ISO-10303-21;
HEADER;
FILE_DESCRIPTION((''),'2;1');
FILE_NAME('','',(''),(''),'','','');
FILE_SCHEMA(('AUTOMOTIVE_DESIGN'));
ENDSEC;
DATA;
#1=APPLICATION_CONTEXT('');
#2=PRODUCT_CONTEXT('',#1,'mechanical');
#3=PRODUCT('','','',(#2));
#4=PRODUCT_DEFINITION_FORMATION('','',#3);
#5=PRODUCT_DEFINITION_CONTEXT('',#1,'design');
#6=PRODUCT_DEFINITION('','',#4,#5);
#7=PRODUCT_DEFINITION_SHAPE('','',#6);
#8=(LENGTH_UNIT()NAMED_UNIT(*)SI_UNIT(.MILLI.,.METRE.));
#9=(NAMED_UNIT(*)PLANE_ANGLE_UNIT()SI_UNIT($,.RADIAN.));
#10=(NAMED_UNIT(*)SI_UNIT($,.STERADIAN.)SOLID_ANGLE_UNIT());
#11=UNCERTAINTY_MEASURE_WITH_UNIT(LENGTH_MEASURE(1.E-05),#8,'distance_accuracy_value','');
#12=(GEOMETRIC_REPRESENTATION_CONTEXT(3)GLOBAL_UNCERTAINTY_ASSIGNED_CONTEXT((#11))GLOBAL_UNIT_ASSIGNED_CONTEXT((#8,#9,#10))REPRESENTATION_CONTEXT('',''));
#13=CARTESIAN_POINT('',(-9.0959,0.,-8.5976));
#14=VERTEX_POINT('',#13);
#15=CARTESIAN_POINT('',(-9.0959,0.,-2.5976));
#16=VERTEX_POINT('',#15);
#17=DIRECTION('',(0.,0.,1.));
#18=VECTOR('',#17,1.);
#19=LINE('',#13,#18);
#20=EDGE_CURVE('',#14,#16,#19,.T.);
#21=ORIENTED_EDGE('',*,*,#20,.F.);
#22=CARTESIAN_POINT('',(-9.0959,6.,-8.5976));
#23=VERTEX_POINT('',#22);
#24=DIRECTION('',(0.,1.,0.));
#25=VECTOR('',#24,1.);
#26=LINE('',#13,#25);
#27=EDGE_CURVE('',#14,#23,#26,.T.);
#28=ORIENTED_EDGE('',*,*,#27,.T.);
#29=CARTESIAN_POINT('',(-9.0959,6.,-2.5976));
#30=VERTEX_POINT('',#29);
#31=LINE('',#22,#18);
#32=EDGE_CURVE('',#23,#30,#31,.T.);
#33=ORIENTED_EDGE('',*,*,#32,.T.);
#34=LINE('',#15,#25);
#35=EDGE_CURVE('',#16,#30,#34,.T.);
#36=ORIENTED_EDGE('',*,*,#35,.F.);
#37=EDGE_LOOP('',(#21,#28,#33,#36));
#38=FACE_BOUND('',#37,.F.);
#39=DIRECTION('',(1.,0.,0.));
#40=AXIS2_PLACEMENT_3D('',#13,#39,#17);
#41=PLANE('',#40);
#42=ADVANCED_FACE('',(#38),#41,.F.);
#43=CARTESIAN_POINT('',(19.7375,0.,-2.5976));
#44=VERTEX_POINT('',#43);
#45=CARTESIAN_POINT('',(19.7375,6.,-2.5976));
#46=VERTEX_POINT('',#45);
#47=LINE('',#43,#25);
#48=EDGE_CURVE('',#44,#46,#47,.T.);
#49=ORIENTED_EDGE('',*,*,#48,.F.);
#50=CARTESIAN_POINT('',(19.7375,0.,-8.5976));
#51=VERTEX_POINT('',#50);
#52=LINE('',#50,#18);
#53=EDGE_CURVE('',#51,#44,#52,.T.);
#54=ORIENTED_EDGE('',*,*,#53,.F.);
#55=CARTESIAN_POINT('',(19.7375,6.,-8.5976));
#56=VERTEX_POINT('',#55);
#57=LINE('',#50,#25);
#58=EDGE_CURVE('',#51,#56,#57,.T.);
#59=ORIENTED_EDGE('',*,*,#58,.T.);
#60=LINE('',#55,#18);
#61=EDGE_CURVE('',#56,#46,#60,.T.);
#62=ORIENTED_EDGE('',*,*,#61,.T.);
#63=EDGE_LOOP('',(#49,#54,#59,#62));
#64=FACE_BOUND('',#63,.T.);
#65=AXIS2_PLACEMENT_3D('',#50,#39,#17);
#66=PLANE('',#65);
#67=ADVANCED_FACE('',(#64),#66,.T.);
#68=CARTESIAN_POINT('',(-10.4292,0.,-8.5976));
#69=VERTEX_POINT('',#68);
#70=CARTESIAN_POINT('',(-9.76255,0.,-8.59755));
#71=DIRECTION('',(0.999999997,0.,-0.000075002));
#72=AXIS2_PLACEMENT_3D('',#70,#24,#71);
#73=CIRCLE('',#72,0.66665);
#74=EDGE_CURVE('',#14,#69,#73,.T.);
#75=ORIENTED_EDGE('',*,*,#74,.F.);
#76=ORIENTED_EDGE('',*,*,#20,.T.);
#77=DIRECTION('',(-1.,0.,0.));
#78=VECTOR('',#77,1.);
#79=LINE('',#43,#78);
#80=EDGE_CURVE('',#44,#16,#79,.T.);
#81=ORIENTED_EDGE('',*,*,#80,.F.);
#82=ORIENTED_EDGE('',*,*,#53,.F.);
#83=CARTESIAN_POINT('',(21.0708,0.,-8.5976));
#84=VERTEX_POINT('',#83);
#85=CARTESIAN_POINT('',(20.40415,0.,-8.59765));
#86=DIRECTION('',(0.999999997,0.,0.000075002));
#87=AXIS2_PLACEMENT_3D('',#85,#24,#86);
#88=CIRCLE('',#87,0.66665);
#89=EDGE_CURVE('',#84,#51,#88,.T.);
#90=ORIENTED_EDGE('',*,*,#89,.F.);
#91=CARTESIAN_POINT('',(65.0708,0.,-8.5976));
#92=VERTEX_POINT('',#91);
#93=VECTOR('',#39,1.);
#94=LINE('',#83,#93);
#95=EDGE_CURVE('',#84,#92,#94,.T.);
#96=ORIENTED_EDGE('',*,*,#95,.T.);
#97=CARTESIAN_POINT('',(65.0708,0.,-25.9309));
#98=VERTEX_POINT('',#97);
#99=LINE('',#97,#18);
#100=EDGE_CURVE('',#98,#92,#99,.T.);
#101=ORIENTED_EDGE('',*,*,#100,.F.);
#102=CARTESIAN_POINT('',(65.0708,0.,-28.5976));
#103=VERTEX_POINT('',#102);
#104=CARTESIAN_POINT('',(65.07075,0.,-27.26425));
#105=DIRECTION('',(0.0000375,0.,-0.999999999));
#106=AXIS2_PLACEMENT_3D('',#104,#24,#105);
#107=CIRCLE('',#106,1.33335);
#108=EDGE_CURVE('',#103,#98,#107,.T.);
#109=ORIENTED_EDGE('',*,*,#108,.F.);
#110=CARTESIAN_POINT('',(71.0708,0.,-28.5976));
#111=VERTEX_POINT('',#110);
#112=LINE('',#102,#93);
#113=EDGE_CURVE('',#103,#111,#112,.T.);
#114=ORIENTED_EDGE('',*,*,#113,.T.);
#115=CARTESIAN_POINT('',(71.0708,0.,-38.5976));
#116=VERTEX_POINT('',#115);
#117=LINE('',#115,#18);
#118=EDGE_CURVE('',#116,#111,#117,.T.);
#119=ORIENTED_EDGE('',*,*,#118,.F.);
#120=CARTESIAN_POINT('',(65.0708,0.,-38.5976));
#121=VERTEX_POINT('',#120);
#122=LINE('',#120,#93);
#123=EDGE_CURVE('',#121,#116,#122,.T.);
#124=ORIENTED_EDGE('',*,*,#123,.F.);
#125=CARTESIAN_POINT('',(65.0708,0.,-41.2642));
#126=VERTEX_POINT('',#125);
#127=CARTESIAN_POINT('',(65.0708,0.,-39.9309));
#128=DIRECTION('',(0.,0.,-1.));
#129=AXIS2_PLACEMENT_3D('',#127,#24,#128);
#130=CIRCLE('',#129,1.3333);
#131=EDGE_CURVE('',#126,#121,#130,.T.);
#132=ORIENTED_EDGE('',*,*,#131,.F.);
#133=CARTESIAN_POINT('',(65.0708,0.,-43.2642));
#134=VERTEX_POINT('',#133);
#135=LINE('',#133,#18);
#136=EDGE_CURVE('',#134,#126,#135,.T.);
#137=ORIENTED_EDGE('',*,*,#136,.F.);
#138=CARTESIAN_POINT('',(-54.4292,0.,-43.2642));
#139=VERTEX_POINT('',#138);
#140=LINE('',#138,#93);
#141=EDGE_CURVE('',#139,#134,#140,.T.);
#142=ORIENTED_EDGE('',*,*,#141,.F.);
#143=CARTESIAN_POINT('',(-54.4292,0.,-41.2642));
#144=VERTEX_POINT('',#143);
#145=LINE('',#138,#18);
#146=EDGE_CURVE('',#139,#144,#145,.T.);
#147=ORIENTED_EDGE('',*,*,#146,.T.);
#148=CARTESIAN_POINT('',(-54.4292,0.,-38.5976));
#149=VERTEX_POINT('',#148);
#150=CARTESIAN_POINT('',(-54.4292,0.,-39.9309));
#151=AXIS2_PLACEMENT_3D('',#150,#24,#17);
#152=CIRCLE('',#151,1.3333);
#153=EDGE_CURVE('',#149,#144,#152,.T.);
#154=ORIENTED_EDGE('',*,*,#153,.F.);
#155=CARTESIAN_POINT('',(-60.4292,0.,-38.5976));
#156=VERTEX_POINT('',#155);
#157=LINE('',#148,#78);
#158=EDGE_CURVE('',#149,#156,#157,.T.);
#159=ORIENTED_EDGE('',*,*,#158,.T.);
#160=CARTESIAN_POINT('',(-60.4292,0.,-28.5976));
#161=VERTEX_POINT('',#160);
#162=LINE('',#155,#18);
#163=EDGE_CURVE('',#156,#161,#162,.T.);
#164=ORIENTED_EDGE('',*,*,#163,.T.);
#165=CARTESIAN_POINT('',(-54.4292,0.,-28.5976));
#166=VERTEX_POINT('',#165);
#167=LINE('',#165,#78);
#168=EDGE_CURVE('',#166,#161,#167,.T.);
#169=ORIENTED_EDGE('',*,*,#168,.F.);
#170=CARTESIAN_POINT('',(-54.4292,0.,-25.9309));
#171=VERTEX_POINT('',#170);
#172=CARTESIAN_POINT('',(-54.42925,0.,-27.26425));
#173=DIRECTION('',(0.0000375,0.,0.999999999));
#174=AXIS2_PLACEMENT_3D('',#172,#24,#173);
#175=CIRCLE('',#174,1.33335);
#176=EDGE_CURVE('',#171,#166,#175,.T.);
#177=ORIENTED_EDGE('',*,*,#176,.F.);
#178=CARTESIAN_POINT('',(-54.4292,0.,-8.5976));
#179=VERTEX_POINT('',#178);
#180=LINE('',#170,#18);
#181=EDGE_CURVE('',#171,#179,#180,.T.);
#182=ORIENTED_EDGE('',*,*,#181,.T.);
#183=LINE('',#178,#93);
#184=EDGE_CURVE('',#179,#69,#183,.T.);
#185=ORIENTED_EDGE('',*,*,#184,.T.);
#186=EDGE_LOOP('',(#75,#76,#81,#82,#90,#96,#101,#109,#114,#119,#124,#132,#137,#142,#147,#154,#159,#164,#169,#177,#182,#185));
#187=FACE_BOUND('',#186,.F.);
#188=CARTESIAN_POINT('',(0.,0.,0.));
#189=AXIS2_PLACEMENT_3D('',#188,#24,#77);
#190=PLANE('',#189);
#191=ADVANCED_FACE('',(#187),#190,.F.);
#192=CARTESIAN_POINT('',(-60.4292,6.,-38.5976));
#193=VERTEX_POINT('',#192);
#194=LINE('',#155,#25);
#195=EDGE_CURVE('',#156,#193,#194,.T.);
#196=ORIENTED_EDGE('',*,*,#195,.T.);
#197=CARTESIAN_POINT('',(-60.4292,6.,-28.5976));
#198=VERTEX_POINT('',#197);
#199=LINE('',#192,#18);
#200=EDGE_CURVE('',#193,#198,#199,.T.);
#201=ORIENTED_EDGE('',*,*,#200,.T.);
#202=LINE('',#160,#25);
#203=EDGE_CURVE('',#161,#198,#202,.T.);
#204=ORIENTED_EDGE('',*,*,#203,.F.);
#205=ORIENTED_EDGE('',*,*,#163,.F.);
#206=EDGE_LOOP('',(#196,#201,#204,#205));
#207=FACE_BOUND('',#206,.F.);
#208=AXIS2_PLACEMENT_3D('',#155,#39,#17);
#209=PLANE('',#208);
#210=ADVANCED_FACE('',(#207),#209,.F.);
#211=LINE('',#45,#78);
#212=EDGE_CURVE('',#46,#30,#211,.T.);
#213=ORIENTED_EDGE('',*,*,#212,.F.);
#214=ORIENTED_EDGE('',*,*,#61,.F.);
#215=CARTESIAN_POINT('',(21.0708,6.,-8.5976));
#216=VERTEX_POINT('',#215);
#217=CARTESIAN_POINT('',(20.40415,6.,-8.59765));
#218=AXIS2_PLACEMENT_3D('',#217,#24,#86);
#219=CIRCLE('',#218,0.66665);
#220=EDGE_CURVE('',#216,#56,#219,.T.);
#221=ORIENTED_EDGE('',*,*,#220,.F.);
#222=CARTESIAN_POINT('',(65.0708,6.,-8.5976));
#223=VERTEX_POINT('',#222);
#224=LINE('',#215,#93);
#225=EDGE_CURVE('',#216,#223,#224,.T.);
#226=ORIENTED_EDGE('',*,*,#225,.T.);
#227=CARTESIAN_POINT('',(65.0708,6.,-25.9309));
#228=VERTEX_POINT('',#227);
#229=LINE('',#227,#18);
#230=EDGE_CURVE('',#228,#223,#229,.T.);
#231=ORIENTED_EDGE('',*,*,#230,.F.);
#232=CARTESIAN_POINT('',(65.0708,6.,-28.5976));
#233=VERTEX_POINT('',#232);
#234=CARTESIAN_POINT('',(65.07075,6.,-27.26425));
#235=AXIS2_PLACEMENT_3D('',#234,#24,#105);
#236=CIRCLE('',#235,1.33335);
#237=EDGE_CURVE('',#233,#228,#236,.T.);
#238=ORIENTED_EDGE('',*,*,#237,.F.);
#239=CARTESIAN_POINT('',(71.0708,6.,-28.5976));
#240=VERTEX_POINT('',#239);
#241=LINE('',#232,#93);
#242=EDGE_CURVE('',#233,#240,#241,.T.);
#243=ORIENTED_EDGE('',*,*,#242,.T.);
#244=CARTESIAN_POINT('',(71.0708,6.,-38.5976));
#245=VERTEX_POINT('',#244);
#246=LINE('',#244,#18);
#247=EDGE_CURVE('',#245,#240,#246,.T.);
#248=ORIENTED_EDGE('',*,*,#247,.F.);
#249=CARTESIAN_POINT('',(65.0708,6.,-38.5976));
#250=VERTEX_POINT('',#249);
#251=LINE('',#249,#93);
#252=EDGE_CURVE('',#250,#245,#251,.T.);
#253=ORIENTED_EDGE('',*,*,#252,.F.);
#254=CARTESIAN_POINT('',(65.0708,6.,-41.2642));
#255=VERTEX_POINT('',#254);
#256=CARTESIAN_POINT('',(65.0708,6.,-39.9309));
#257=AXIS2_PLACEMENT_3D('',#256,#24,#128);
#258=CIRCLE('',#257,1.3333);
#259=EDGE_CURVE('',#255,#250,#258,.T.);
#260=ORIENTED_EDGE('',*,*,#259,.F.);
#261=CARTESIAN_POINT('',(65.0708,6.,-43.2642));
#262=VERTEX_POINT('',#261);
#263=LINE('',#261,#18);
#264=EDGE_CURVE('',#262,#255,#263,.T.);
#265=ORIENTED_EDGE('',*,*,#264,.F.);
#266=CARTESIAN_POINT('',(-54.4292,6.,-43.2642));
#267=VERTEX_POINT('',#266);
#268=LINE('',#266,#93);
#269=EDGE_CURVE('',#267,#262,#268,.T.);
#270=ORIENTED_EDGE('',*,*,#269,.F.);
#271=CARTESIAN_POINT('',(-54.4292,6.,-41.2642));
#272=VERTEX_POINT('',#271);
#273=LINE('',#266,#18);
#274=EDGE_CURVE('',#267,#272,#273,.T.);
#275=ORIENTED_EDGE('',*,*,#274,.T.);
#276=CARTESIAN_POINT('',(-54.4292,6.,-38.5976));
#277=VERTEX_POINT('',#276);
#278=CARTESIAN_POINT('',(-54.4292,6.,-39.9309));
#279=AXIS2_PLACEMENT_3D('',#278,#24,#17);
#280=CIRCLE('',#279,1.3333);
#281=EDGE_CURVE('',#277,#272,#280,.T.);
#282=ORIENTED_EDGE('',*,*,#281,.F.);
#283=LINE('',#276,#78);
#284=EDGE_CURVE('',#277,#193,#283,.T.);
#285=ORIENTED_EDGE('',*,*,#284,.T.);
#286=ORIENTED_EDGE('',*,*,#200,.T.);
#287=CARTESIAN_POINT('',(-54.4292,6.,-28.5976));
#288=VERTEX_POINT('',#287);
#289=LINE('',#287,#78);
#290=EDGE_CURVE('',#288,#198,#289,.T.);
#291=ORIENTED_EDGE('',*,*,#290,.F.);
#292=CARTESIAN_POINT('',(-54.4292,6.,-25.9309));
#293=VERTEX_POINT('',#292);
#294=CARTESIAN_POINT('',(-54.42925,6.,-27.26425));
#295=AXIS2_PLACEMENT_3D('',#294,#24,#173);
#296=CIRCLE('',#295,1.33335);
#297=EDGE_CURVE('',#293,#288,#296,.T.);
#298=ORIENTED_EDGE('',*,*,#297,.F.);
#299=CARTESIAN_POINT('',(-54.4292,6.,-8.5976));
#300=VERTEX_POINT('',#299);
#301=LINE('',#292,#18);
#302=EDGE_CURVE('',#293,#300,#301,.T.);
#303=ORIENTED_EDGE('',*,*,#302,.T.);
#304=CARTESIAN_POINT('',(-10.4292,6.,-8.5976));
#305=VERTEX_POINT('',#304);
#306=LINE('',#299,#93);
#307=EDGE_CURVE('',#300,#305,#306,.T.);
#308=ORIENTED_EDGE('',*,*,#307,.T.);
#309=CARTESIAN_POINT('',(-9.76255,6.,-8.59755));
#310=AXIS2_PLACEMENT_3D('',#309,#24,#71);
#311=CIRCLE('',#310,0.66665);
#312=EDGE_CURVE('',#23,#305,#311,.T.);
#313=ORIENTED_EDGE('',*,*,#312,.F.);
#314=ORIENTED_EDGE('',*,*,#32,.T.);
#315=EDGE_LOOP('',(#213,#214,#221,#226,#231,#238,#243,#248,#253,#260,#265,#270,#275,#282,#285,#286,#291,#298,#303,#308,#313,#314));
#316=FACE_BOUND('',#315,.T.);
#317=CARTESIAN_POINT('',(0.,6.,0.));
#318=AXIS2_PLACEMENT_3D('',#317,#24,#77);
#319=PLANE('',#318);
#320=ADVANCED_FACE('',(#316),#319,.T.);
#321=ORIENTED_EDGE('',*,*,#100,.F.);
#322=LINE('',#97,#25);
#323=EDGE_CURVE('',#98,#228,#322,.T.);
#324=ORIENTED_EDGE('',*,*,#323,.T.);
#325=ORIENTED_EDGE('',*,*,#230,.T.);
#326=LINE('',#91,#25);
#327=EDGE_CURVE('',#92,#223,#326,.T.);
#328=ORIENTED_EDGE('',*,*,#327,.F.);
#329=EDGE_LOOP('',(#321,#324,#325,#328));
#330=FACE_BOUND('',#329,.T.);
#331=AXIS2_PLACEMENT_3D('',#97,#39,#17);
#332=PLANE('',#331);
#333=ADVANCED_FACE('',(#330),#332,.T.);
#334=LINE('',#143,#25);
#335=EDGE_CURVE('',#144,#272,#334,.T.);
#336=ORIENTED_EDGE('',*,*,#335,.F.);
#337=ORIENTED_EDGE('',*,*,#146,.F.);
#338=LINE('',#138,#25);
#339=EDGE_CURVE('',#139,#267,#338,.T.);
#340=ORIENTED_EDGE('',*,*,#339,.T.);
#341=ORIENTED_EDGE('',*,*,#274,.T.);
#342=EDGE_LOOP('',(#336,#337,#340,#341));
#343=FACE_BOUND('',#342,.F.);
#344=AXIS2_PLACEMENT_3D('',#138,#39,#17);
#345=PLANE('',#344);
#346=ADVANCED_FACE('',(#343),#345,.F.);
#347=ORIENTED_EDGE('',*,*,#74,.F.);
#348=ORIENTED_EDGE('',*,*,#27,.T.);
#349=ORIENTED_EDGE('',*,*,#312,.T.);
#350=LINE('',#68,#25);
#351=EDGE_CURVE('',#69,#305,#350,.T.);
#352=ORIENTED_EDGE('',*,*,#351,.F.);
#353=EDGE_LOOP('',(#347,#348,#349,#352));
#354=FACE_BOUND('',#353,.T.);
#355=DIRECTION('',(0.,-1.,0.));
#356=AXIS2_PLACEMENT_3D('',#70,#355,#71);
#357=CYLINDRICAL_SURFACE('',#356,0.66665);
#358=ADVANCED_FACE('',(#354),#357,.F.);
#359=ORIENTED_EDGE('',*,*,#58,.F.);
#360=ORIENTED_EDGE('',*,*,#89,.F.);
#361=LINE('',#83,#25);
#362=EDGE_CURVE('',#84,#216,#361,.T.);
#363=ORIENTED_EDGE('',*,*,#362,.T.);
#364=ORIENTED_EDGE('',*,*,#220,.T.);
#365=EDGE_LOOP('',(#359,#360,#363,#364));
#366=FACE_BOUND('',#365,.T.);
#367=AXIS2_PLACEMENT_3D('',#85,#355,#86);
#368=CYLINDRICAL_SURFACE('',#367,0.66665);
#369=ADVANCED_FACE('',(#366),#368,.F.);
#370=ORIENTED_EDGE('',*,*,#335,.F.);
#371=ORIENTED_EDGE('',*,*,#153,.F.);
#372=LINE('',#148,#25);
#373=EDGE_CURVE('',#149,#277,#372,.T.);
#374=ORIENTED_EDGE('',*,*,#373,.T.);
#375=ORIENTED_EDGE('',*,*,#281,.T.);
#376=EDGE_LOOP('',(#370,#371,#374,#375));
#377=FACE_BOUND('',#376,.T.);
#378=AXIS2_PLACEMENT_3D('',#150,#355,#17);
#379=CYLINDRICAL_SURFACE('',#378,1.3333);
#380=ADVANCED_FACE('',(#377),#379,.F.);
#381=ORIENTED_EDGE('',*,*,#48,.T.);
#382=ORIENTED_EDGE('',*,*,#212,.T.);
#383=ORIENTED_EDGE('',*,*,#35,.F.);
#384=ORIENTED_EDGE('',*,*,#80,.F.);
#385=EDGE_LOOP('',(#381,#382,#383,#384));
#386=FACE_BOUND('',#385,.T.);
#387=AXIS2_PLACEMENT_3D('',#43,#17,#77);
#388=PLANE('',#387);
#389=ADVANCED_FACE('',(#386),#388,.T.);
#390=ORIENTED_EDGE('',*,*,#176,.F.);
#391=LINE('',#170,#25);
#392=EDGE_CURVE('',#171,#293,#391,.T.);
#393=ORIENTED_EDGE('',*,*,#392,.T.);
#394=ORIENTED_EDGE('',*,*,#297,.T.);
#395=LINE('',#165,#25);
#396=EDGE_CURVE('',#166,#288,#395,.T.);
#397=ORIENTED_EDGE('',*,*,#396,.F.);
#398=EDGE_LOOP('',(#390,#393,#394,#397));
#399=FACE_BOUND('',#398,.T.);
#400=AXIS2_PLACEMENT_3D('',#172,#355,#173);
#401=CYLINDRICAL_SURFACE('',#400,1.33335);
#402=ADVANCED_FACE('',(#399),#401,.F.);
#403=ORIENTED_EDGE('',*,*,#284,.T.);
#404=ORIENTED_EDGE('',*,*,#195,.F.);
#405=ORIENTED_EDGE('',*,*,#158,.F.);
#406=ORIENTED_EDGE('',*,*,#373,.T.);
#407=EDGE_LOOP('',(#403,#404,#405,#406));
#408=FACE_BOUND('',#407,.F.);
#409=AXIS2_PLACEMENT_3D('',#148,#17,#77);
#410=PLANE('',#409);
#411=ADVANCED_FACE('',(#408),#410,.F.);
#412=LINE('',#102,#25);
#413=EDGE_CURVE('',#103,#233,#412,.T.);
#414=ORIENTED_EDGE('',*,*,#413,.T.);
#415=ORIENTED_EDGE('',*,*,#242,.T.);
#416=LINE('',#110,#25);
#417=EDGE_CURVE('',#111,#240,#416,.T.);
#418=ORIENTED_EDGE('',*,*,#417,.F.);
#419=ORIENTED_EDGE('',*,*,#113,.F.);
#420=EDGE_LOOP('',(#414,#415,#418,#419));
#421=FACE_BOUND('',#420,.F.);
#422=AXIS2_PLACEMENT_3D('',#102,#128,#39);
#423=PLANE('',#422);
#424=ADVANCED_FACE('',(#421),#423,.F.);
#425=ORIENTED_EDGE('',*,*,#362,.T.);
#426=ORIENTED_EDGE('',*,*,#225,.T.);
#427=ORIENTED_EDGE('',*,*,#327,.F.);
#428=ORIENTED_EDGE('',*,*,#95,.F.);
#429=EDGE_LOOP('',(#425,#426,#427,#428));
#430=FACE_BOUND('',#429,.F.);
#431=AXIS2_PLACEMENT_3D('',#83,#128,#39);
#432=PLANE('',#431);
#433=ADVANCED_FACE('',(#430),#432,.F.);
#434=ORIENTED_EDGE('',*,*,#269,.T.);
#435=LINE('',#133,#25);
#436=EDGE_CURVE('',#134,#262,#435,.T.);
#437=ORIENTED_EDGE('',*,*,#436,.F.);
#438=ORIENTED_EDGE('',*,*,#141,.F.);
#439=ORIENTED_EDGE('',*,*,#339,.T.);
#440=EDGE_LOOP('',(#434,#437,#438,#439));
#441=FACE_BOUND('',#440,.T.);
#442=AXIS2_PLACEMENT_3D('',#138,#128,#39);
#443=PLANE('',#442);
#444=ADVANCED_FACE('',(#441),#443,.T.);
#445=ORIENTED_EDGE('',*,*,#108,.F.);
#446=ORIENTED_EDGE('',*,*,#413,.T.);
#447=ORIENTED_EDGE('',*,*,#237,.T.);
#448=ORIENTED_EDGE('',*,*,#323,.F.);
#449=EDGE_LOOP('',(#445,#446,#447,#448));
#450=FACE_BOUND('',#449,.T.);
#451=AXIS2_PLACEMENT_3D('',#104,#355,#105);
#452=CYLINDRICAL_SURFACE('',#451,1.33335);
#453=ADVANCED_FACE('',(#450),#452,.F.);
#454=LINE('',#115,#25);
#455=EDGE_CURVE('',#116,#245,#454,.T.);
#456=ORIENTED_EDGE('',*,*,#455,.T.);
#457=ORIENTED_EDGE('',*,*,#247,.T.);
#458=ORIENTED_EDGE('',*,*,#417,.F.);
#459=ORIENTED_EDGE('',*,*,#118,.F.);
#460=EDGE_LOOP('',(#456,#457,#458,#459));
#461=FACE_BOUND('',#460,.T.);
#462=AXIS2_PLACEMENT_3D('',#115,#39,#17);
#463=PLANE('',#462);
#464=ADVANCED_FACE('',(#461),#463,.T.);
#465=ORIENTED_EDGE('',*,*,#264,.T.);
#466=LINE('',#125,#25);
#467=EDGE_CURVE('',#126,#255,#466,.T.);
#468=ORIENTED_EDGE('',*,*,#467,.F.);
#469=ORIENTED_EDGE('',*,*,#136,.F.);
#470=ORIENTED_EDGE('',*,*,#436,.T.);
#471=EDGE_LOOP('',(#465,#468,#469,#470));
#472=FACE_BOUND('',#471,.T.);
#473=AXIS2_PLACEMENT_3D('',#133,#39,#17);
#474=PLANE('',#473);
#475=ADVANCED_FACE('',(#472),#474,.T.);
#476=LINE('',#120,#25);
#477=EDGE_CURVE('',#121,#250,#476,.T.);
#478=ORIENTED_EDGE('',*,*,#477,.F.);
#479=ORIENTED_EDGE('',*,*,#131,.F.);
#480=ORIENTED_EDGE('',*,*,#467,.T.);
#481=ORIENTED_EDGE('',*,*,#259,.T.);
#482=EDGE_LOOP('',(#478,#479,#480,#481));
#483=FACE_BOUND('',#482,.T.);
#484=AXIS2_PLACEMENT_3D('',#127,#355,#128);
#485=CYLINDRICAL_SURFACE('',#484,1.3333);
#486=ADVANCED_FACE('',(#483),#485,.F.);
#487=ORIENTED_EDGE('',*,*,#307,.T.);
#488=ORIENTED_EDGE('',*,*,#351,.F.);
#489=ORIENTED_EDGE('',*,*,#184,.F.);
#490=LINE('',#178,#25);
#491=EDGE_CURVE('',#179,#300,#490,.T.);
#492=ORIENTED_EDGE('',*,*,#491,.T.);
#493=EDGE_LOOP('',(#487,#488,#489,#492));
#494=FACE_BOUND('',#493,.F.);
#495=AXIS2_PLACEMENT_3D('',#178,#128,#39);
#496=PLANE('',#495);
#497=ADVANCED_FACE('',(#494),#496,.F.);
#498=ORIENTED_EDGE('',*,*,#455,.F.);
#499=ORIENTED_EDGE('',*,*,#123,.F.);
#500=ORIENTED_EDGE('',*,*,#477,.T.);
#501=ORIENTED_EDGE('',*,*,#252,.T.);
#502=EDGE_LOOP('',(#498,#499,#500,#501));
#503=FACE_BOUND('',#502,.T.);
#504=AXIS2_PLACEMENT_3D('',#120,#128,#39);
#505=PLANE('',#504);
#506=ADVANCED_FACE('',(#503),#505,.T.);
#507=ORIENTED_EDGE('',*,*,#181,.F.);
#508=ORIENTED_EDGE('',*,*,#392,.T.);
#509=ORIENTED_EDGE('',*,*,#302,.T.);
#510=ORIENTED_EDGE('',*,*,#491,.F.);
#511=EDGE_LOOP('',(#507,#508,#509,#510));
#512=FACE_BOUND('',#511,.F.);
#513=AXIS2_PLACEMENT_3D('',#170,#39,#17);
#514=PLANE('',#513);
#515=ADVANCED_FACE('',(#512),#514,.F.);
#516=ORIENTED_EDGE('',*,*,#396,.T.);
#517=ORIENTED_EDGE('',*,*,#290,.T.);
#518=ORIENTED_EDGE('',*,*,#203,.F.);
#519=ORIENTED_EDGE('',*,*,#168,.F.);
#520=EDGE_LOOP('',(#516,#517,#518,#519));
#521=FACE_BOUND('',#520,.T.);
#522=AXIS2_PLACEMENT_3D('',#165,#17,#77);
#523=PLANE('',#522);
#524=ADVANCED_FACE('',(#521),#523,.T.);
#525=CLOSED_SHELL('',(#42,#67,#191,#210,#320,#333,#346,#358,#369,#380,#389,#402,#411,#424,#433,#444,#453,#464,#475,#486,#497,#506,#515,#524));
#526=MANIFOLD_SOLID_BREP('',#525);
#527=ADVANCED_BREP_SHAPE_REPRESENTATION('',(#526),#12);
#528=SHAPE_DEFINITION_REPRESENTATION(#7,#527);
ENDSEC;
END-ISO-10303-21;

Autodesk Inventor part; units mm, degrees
ref_plane "YZ Plane" through (0, 0, 0) normal (1, 0, 0) x (0, 1, 0)
ref_plane "XZ Plane" through (0, 0, 0) normal (0, 1, 0) x (-1, 0, 0)
ref_plane "XY Plane" through (0, 0, 0) normal (0, 0, 1) x (1, 0, 0)
sketch "Sketch1" plane through (0, 0, 0) normal (0, 1, 0) x (-1, 0, 0)
  line L0 (54.4292, -43.2642) -> (54.4292, -41.2642)
  arc A0 (54.4292, -38.5976) -> (54.4292, -41.2642) centre (54.4292, -39.9309) ccw
  arc A1 (54.4292, -25.9309) -> (54.4292, -28.5976) centre (54.4292, -27.2642) ccw
  line L1 (54.4292, -25.9309) -> (54.4292, -8.5976)
  line L2 (54.4292, -28.5976) -> (60.4292, -28.5976)
  line L3 (54.4292, -38.5976) -> (60.4292, -38.5976)
  line L4 (60.4292, -38.5976) -> (60.4292, -28.5976)
  line L5 (54.4292, -43.2642) -> (-65.0708, -43.2642)
  line L6 (-65.0708, -43.2642) -> (-65.0708, -41.2642)
  arc A2 (-65.0708, -41.2642) -> (-65.0708, -38.5976) centre (-65.0708, -39.9309) ccw
  arc A3 (-65.0708, -28.5976) -> (-65.0708, -25.9309) centre (-65.0708, -27.2642) ccw
  line L7 (-65.0708, -25.9309) -> (-65.0708, -8.5976)
  line L8 (-65.0708, -28.5976) -> (-71.0708, -28.5976)
  line L9 (-65.0708, -38.5976) -> (-71.0708, -38.5976)
  line L10 (-71.0708, -38.5976) -> (-71.0708, -28.5976)
  arc A4 (9.0959, -8.5976) -> (10.4292, -8.5976) centre (9.7625, -8.5976) ccw
  arc A5 (-21.0708, -8.5976) -> (-19.7375, -8.5976) centre (-20.4041, -8.5976) ccw
  line L11 (-21.0708, -8.5976) -> (-65.0708, -8.5976)
  line L12 (54.4292, -8.5976) -> (10.4292, -8.5976)
  line L13 (-19.7375, -2.5976) -> (9.0959, -2.5976)
  line L14 (-19.7375, -8.5976) -> (-19.7375, -2.5976)
  line L15 (9.0959, -8.5976) -> (9.0959, -2.5976)
  point P0 (0, 0)
  dimension "d1" = 2
  dimension "d2" = 2.6667
  dimension "d5" = 2.6667
  dimension "d6" = 17.3333
  dimension "d9" = 6
  dimension "d10" = 119.5
  dimension "d11" = 10
  dimension "d15" = 1.3333
  dimension "d16" = 1.3333
  dimension "d18" = 44
  dimension "d19" = 44
  dimension "d21" = 20
  dimension "d23" = 6
extrude "Extrusion1" add sketch "Sketch1" along normal blind 6
properties part number "Support A Cross" material "Wood (Maple)"
